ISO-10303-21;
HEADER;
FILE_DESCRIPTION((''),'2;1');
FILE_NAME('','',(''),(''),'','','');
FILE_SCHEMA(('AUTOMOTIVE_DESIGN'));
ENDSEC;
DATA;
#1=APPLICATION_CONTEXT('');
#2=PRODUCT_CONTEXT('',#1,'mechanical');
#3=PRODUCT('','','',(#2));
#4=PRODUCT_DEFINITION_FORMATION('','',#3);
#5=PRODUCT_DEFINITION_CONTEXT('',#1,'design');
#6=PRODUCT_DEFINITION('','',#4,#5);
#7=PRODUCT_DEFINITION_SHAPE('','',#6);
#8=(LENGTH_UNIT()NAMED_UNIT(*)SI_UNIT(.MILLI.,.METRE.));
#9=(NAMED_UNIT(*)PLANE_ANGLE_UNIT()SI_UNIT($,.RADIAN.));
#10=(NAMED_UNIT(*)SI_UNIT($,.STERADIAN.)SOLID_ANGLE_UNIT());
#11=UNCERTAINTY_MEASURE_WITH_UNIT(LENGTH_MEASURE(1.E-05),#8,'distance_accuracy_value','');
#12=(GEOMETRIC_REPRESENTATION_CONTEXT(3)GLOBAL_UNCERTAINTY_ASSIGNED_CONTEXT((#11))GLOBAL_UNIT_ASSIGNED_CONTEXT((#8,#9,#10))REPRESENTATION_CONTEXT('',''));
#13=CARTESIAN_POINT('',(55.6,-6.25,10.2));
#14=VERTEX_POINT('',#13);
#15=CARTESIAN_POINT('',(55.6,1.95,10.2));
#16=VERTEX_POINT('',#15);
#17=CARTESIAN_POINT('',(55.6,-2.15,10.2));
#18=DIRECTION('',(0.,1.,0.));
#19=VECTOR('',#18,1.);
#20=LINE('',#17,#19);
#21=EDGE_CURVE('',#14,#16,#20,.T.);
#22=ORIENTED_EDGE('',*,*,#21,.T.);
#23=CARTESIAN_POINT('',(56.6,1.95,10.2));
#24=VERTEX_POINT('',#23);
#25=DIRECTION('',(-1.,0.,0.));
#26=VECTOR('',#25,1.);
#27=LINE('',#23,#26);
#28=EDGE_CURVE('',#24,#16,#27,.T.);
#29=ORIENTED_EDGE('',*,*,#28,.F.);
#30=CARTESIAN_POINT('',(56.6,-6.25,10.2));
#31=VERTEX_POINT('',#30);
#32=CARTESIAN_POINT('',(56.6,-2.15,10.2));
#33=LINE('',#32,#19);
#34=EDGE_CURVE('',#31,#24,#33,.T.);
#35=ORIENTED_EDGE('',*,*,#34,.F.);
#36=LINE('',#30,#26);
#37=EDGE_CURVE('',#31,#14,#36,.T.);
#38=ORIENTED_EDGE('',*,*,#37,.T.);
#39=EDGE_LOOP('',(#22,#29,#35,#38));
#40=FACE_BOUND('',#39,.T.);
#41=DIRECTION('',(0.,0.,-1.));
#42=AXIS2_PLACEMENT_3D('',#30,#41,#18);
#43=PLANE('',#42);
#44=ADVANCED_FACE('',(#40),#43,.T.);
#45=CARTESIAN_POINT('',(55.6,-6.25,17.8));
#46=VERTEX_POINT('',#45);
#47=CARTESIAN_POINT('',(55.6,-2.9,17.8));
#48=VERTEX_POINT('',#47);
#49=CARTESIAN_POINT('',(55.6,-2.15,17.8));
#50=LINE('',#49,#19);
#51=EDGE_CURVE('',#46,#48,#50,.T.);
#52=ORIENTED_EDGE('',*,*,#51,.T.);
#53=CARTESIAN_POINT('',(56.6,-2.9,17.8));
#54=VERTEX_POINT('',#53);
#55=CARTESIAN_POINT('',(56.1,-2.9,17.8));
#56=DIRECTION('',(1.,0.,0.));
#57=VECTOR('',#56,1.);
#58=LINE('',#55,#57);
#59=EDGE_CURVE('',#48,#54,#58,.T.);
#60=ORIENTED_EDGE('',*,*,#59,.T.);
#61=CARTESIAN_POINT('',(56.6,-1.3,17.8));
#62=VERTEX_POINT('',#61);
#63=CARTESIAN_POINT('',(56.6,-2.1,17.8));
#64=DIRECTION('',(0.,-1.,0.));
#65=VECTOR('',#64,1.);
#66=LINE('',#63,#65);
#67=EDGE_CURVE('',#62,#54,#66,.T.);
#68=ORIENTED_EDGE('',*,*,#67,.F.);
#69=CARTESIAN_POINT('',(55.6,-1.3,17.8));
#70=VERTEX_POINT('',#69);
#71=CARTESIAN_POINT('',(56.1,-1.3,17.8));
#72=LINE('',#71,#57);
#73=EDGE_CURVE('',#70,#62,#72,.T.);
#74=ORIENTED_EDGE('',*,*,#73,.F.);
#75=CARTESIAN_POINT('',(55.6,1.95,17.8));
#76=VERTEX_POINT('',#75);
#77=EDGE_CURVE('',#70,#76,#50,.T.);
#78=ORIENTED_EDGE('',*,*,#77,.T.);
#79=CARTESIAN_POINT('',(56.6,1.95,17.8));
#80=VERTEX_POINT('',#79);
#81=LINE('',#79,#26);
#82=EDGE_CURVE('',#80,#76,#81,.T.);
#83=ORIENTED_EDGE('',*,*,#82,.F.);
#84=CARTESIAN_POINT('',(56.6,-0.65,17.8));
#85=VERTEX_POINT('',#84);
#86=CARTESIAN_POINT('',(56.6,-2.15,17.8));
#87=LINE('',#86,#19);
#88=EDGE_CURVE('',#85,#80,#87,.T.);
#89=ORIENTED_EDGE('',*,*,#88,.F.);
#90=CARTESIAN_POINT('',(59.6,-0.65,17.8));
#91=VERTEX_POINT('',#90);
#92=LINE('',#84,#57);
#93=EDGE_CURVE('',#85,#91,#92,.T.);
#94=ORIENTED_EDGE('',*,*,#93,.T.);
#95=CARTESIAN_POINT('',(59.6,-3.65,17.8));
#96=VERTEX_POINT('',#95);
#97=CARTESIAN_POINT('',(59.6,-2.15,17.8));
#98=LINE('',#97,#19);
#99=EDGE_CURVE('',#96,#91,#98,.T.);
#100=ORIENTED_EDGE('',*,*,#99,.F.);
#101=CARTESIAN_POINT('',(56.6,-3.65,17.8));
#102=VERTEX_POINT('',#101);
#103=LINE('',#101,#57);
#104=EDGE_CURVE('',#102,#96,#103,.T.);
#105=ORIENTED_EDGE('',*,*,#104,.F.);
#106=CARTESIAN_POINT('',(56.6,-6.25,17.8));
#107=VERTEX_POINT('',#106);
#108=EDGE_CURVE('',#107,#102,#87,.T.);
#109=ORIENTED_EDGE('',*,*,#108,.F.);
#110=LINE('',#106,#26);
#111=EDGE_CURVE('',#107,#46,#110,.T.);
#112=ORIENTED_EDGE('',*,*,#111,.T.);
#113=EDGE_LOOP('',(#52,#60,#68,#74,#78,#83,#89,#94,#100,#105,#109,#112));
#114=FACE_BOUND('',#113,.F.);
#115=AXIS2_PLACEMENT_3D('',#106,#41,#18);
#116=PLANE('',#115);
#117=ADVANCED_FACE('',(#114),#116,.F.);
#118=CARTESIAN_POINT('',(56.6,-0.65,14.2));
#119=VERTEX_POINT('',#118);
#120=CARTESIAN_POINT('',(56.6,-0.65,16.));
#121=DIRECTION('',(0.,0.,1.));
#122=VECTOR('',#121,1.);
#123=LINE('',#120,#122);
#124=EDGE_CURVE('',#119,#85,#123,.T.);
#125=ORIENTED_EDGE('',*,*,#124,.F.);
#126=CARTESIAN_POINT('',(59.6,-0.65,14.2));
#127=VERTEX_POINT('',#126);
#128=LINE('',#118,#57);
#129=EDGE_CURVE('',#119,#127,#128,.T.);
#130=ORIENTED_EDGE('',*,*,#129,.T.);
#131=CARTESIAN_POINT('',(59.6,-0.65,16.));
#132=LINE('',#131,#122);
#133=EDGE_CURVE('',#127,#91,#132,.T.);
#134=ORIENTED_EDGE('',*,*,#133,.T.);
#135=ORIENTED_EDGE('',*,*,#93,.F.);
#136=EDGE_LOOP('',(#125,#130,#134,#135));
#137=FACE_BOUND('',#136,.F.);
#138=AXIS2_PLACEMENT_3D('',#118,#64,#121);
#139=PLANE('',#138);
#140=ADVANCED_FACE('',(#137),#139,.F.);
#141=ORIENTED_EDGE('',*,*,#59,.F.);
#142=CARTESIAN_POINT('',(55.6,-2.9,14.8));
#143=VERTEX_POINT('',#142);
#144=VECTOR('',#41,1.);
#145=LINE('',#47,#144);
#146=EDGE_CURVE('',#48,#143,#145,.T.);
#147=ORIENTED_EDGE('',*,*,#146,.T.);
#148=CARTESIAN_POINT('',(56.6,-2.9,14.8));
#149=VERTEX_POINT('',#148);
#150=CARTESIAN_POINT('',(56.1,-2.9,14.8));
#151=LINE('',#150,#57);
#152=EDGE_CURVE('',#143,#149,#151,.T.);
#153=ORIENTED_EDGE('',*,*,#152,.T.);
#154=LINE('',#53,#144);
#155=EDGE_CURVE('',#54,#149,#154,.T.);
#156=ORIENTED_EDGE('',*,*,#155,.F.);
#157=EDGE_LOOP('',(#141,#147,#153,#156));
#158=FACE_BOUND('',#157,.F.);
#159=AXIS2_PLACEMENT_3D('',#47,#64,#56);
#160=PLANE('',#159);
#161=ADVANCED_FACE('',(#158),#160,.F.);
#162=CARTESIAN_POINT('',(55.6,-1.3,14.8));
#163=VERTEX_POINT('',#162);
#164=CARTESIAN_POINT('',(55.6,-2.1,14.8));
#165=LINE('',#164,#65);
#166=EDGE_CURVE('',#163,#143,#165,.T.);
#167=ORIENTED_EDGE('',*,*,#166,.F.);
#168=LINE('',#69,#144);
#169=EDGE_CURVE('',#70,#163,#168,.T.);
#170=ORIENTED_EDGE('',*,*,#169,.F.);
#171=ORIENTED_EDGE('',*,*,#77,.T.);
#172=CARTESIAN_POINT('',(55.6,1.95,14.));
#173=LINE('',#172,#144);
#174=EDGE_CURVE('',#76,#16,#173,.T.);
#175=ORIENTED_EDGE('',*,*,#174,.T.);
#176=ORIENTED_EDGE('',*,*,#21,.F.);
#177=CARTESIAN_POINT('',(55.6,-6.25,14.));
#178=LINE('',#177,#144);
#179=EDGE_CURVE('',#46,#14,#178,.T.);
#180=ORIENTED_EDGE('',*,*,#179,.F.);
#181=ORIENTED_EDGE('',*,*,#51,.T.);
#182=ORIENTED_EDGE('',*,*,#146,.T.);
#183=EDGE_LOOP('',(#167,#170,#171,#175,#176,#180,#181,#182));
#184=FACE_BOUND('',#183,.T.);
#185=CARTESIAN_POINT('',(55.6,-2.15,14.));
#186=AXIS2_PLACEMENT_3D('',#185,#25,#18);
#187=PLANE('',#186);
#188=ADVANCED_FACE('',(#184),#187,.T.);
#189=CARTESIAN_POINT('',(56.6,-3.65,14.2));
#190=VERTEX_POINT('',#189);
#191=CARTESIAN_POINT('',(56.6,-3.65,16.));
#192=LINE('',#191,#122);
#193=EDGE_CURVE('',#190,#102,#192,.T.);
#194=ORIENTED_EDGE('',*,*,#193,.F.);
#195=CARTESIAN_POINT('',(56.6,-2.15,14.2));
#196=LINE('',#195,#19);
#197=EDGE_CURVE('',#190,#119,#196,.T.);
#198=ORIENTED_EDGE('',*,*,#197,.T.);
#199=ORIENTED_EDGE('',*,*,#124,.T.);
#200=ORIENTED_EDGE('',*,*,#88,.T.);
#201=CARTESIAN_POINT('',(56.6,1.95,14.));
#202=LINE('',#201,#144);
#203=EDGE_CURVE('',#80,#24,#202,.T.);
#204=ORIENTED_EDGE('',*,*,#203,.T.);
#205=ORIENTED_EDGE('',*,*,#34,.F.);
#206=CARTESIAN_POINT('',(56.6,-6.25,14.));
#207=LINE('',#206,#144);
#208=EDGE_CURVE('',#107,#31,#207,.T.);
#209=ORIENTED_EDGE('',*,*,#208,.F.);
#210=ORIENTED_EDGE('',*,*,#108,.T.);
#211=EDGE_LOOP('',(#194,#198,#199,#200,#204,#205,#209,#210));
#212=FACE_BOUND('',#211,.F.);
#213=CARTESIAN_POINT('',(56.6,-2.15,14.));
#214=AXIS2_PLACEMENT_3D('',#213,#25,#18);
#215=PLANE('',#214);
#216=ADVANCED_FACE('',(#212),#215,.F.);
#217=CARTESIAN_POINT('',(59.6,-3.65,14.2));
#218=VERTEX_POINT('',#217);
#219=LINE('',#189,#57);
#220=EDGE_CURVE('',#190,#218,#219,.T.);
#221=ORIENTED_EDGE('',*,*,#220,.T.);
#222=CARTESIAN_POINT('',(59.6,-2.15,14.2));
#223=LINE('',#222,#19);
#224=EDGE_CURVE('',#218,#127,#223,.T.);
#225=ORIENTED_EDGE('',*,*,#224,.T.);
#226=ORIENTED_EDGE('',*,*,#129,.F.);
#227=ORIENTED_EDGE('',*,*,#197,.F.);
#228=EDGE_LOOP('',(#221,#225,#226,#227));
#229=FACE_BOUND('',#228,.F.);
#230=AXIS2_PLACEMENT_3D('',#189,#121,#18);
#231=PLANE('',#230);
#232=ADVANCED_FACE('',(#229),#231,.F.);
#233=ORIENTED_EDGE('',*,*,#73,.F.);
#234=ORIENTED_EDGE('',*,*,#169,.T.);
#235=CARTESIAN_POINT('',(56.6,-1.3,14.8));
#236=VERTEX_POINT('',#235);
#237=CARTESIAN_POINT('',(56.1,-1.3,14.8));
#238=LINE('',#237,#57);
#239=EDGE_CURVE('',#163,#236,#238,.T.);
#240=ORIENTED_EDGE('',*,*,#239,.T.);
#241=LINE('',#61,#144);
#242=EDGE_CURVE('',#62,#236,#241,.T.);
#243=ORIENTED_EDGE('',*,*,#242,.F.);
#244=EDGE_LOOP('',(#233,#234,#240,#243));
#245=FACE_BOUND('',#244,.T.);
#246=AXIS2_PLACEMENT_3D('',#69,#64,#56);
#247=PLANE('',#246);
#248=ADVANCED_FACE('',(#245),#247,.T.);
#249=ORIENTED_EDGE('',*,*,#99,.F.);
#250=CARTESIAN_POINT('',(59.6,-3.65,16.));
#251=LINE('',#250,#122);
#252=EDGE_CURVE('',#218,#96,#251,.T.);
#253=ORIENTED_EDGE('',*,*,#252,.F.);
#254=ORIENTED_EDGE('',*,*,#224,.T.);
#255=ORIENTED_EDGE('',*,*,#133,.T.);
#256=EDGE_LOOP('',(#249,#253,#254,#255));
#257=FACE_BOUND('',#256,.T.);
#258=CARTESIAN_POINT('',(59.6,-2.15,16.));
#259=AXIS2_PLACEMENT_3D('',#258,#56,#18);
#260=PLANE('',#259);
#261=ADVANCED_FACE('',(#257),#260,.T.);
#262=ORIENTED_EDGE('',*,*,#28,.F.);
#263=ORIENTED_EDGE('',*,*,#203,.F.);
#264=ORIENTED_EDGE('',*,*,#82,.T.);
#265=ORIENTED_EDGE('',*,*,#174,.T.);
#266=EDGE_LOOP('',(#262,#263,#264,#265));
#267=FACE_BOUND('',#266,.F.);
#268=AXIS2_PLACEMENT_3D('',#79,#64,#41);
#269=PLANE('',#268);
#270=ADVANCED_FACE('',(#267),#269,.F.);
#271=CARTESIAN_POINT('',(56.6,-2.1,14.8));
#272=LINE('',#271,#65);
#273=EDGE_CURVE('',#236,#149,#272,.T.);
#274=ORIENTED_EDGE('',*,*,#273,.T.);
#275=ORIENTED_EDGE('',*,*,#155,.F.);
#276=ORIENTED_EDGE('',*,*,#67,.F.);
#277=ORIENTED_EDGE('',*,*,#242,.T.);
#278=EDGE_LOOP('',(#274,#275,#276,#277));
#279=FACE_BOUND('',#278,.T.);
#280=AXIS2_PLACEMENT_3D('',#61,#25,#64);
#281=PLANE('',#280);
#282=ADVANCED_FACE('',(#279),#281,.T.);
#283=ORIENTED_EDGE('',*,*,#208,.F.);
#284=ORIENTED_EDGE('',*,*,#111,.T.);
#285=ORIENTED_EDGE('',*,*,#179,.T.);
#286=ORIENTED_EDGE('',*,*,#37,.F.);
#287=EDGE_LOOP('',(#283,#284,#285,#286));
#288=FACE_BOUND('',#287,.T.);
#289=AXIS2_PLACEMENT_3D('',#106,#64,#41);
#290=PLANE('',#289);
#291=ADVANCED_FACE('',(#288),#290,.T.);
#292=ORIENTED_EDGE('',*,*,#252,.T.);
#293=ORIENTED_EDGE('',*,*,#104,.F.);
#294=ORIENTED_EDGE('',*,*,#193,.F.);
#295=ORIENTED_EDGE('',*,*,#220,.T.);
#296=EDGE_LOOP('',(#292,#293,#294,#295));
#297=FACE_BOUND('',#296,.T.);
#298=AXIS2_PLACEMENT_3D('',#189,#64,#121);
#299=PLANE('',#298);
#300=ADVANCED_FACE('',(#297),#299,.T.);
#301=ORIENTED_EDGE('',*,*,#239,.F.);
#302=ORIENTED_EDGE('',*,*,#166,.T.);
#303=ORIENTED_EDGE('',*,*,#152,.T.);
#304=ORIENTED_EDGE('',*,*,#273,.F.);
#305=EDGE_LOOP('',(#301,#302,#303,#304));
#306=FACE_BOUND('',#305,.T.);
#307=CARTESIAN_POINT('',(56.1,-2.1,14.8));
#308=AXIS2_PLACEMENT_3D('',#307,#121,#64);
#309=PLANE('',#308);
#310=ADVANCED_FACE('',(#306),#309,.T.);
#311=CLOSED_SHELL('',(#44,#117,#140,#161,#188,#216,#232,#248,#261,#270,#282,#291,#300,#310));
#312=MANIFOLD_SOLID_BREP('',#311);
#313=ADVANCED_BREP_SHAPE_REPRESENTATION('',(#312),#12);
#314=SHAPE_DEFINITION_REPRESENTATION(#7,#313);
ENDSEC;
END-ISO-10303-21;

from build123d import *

# Parameters (mm, degrees)
SKETCH047_W     = 3
SKETCH047_H     = 3.6
PAD020_DEPTH    = 3
SKETCH048_W     = 8.2
SKETCH048_H     = 7.6
PAD021_DEPTH    = 1
SKETCH053_W     = 1.6
SKETCH053_H     = 1
POCKET018_DEPTH = 3


with BuildPart() as part:
    # Sketch047 → Pad020 (new body)
    with BuildSketch(Plane.YZ.offset(56.6)):
        with Locations((-2.15, 16)):
            Rectangle(SKETCH047_W, SKETCH047_H)
    extrude(amount=PAD020_DEPTH)

    # Sketch048 (on Face5 of Pad020) → Pad021 (join)
    with BuildSketch(Plane(origin=(56.6, 0, 0), x_dir=(0, 1, 0), z_dir=(-1, 0, 0))):
        with Locations((-2.15, -14)):
            Rectangle(SKETCH048_W, SKETCH048_H)
    extrude(amount=PAD021_DEPTH)

    # Sketch053 (on Face6 of Pad021) → Pocket018 (cut)
    with BuildSketch(Plane(origin=(0, 0, 17.8), x_dir=(0, -1, 0), z_dir=(0, 0, 1))):
        with Locations((2.1, 56.1)):
            Rectangle(SKETCH053_W, SKETCH053_H)
    extrude(amount=-POCKET018_DEPTH, mode=Mode.SUBTRACT)


solid = part.part
